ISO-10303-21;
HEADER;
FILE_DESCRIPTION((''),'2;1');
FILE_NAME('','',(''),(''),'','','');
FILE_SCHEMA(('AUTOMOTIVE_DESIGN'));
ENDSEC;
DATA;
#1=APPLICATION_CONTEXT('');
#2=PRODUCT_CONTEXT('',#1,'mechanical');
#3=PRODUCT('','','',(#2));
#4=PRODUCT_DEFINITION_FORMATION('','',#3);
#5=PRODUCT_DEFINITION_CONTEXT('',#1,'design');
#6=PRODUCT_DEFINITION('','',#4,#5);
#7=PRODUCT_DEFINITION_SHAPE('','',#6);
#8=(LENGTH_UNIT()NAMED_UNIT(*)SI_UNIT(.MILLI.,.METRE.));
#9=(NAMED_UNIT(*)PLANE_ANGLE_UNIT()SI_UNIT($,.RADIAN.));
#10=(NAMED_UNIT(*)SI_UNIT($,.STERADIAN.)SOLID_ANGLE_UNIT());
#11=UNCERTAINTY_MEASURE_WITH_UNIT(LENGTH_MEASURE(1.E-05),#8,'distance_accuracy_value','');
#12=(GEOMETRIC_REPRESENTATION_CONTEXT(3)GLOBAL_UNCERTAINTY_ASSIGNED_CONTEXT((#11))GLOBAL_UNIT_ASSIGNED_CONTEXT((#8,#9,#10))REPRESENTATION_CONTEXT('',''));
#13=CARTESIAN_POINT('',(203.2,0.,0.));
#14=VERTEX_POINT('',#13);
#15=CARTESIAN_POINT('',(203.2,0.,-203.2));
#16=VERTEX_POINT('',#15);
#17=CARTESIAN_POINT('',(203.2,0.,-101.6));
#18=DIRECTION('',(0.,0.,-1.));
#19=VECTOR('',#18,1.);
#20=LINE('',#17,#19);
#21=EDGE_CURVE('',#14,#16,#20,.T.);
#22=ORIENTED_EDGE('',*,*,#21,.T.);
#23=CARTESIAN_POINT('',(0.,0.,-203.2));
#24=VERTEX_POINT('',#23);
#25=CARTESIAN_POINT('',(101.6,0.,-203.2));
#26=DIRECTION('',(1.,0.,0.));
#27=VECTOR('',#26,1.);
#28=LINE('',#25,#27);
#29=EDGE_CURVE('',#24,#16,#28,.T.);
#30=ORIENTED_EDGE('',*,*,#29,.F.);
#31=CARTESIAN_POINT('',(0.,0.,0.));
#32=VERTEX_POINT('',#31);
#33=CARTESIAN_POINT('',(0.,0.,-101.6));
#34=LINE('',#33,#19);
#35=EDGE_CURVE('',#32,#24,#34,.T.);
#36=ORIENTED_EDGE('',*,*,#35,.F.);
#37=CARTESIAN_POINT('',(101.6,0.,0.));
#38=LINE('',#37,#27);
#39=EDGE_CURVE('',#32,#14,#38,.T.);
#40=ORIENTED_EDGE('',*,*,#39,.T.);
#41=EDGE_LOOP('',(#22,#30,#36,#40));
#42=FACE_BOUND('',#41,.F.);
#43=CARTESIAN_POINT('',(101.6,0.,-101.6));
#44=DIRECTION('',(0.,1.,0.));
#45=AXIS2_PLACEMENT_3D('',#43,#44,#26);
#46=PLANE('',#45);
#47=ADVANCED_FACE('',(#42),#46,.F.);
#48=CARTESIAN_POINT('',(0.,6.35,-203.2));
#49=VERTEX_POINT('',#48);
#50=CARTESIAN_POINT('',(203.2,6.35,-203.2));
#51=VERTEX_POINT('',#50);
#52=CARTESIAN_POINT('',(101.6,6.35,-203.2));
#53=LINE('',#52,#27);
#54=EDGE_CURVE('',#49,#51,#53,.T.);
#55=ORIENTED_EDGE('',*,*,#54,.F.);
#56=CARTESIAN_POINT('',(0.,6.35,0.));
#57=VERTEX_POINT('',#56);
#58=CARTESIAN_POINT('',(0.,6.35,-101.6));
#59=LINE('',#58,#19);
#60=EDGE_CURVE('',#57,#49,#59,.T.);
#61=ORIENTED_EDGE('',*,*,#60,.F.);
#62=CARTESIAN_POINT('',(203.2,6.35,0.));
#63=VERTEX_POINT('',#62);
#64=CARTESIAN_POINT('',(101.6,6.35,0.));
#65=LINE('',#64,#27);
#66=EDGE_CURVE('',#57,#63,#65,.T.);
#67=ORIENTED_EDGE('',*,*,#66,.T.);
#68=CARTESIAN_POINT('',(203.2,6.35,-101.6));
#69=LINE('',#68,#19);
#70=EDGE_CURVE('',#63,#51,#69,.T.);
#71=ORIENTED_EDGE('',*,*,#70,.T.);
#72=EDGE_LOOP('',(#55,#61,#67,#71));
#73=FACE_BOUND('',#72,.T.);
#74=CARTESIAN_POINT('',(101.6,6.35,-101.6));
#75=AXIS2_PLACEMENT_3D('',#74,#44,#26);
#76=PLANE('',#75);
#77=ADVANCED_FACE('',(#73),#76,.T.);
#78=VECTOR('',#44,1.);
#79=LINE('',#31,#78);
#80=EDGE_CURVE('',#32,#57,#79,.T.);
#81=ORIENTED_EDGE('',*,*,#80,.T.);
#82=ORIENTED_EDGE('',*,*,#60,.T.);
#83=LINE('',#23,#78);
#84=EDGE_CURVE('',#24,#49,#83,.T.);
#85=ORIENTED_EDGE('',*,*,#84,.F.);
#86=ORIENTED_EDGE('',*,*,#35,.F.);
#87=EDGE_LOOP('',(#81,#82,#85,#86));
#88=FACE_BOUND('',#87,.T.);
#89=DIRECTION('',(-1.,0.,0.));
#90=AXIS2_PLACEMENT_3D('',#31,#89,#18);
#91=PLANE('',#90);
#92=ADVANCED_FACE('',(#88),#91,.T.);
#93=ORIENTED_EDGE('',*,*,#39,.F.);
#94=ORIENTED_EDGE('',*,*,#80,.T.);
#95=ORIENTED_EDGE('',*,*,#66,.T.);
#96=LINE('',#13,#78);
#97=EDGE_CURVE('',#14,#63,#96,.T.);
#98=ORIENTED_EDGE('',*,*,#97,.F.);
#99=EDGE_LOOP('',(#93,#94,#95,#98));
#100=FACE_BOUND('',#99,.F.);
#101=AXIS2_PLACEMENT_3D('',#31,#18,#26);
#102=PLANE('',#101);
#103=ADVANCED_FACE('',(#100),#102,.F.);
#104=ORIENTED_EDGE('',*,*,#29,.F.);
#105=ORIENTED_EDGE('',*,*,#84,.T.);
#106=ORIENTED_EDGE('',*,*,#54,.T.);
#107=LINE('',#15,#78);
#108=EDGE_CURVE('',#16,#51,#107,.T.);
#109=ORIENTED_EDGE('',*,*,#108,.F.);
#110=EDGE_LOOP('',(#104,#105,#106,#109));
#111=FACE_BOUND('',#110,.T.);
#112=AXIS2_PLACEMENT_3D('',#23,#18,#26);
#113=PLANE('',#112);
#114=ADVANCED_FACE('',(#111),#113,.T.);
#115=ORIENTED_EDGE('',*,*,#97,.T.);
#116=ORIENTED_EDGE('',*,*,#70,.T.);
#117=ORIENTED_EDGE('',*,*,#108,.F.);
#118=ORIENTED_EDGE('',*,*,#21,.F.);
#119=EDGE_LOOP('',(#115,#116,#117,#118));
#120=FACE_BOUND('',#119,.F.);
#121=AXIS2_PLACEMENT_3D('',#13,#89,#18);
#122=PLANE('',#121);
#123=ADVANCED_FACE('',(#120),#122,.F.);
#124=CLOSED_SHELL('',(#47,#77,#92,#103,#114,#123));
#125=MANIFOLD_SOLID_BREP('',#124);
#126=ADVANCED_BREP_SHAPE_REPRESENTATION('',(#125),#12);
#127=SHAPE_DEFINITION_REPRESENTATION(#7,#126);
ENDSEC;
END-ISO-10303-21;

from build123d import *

# Parameters (mm, degrees)
SKETCH1_W           = 203.2
SKETCH1_H           = 203.2
BOSS_EXTRUDE1_DEPTH = 6.35


with BuildPart() as part:
    # Sketch1 → Boss-Extrude1 (new body)
    with BuildSketch(Plane(origin=(0, 0, 0), x_dir=(1, 0, 0), z_dir=(0, 1, 0))):
        with Locations((101.6, 101.6)):
            Rectangle(SKETCH1_W, SKETCH1_H)
    extrude(amount=BOSS_EXTRUDE1_DEPTH)


solid = part.part
